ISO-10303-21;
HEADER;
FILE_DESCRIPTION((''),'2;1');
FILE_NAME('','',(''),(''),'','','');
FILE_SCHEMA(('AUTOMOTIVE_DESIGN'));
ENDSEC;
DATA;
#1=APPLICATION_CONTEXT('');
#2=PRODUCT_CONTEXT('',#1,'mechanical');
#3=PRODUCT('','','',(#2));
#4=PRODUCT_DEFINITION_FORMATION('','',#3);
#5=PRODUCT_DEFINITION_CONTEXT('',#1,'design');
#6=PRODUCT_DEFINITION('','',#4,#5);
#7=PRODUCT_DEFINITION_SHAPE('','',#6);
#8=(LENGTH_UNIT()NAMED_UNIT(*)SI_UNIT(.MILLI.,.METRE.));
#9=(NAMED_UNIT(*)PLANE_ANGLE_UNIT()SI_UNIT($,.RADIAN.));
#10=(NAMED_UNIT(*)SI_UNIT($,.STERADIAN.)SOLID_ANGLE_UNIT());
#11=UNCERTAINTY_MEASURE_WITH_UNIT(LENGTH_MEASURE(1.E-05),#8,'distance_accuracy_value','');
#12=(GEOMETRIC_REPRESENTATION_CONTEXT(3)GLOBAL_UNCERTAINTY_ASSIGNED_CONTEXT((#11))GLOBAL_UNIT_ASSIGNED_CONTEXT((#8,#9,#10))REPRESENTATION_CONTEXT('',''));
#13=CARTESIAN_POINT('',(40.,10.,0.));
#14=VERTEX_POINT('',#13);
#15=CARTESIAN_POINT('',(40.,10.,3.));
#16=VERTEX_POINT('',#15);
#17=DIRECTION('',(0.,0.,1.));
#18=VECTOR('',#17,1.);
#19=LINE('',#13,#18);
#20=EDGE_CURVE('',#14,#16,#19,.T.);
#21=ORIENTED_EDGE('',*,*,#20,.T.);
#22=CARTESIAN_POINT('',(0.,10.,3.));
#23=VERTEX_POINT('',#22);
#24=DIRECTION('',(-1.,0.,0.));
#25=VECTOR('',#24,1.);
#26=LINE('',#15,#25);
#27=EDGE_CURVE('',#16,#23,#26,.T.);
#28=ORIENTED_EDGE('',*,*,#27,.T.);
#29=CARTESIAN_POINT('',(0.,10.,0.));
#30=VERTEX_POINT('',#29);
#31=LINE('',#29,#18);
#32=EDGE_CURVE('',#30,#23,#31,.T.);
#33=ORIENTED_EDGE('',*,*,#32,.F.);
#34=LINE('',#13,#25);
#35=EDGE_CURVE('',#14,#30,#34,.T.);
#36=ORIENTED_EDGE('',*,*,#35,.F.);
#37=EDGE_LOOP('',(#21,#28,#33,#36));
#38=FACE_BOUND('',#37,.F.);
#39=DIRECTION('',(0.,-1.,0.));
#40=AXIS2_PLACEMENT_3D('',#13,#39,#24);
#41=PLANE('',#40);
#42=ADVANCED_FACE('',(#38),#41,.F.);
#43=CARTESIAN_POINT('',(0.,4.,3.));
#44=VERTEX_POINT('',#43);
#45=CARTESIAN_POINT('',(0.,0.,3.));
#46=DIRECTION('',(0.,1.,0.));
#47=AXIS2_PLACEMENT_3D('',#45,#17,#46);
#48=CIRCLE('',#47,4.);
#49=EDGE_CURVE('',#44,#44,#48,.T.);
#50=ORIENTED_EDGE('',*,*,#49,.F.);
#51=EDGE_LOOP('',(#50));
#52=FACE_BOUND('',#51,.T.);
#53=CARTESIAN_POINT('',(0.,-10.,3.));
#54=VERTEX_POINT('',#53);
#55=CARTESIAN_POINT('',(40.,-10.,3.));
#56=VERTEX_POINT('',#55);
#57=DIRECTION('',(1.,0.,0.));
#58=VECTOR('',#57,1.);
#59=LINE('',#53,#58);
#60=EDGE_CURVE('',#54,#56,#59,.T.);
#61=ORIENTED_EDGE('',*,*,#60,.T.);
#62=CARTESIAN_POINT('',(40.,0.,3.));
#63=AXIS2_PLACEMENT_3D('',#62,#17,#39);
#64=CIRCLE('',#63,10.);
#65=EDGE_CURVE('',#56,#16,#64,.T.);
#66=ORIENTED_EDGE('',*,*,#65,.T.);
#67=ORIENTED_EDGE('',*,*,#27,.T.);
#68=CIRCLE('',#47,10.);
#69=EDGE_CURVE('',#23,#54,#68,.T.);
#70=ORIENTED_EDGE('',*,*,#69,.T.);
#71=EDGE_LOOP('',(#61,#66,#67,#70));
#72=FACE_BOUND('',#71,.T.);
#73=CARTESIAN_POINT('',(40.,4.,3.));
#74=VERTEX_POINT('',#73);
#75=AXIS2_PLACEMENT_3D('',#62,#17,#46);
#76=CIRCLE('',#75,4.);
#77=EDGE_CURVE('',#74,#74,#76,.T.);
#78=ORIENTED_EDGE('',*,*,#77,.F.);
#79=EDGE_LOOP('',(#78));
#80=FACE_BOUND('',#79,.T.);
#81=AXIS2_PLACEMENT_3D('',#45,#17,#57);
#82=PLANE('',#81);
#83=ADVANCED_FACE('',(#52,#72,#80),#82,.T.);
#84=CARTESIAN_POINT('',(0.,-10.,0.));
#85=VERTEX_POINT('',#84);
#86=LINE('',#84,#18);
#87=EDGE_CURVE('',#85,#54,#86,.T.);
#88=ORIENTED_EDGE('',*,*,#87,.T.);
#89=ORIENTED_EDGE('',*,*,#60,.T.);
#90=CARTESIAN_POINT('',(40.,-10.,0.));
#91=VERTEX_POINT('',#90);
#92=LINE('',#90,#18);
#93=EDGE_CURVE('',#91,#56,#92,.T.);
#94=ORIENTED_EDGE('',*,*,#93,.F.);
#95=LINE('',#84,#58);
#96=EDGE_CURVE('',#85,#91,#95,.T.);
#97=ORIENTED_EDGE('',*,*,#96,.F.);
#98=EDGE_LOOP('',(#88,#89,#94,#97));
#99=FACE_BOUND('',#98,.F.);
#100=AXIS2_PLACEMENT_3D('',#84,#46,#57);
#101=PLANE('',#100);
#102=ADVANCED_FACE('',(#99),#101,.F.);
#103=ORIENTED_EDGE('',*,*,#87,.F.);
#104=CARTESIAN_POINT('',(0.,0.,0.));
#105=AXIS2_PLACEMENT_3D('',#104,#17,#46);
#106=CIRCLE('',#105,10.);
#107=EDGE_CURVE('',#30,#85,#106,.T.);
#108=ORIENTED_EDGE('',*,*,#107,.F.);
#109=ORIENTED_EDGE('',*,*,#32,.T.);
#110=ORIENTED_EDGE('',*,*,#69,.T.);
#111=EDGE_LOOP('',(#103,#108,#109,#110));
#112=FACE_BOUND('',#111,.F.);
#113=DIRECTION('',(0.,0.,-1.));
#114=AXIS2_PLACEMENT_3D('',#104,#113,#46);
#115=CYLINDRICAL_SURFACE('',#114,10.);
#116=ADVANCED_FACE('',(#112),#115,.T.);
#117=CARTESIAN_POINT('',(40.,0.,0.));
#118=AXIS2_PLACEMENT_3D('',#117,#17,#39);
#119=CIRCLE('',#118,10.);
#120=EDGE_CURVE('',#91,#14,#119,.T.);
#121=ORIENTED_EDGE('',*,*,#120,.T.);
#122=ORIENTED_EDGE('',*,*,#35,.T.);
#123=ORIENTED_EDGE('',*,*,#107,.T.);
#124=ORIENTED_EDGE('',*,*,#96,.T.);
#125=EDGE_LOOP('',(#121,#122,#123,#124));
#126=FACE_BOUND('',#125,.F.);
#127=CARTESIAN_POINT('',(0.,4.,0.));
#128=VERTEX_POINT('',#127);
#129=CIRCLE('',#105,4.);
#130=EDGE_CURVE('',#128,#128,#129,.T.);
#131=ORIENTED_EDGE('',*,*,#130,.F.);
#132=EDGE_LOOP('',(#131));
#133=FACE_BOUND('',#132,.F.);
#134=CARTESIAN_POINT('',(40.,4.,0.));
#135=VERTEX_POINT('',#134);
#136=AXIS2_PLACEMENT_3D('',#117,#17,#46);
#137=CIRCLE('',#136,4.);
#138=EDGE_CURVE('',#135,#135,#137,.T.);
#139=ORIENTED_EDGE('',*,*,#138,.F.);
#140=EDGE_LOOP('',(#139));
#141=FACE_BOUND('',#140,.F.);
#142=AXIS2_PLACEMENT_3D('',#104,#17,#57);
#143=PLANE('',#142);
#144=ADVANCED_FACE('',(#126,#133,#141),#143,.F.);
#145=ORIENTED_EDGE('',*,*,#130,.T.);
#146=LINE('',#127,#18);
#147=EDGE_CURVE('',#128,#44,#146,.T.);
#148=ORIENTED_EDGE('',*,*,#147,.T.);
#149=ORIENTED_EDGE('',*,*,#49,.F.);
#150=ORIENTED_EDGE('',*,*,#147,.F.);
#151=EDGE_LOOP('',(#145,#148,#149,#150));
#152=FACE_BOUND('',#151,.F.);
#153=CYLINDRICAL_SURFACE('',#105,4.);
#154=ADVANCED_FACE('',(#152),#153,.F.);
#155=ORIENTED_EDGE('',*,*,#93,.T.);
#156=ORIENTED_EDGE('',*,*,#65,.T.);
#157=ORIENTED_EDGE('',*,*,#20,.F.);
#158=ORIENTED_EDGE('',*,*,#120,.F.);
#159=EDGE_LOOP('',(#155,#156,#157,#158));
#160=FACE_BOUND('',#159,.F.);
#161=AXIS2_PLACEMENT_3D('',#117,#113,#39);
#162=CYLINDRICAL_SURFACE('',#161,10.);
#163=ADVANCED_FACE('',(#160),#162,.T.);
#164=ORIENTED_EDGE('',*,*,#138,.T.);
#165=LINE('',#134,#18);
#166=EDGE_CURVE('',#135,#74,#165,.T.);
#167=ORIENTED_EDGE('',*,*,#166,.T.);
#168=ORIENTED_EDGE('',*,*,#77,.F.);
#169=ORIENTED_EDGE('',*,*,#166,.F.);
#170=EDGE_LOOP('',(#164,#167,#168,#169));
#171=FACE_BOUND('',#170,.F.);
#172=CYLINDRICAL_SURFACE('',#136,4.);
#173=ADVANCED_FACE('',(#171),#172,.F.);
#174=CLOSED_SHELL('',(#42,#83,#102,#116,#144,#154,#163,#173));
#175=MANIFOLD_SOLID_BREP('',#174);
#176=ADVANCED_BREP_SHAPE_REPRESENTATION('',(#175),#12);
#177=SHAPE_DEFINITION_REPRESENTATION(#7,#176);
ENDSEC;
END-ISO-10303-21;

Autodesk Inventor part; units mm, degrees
ref_plane "YZ Plane" through (0, 0, 0) normal (1, 0, 0) x (0, 1, 0)
ref_plane "XZ Plane" through (0, 0, 0) normal (0, 1, 0) x (-1, 0, 0)
ref_plane "XY Plane" through (0, 0, 0) normal (0, 0, 1) x (1, 0, 0)
sketch "Szkic1" plane through (0, 0, 0) normal (0, 0, 1) x (1, 0, 0)
  line L0 (0, 0) -> (40, 0) construction
  line L1 (0, -10) -> (40, -10)
  line L2 (40, 10) -> (0, 10)
  arc A0 (0, 10) -> (0, -10) centre (0, 0) ccw
  arc A1 (40, -10) -> (40, 10) centre (40, 0) ccw
  point P0 (20, 0)
  dimension "d0" = 40
  dimension "d1" = 20
extrude "Wyciągnięcie proste1" add sketch "Szkic1" along normal blind 3
hole "Otwór1" at (0, 0, 0) at (40, 0, 0) direction (0, 0, 1) diameter 8 end through all
properties part number "ramie_2_wahacza"
